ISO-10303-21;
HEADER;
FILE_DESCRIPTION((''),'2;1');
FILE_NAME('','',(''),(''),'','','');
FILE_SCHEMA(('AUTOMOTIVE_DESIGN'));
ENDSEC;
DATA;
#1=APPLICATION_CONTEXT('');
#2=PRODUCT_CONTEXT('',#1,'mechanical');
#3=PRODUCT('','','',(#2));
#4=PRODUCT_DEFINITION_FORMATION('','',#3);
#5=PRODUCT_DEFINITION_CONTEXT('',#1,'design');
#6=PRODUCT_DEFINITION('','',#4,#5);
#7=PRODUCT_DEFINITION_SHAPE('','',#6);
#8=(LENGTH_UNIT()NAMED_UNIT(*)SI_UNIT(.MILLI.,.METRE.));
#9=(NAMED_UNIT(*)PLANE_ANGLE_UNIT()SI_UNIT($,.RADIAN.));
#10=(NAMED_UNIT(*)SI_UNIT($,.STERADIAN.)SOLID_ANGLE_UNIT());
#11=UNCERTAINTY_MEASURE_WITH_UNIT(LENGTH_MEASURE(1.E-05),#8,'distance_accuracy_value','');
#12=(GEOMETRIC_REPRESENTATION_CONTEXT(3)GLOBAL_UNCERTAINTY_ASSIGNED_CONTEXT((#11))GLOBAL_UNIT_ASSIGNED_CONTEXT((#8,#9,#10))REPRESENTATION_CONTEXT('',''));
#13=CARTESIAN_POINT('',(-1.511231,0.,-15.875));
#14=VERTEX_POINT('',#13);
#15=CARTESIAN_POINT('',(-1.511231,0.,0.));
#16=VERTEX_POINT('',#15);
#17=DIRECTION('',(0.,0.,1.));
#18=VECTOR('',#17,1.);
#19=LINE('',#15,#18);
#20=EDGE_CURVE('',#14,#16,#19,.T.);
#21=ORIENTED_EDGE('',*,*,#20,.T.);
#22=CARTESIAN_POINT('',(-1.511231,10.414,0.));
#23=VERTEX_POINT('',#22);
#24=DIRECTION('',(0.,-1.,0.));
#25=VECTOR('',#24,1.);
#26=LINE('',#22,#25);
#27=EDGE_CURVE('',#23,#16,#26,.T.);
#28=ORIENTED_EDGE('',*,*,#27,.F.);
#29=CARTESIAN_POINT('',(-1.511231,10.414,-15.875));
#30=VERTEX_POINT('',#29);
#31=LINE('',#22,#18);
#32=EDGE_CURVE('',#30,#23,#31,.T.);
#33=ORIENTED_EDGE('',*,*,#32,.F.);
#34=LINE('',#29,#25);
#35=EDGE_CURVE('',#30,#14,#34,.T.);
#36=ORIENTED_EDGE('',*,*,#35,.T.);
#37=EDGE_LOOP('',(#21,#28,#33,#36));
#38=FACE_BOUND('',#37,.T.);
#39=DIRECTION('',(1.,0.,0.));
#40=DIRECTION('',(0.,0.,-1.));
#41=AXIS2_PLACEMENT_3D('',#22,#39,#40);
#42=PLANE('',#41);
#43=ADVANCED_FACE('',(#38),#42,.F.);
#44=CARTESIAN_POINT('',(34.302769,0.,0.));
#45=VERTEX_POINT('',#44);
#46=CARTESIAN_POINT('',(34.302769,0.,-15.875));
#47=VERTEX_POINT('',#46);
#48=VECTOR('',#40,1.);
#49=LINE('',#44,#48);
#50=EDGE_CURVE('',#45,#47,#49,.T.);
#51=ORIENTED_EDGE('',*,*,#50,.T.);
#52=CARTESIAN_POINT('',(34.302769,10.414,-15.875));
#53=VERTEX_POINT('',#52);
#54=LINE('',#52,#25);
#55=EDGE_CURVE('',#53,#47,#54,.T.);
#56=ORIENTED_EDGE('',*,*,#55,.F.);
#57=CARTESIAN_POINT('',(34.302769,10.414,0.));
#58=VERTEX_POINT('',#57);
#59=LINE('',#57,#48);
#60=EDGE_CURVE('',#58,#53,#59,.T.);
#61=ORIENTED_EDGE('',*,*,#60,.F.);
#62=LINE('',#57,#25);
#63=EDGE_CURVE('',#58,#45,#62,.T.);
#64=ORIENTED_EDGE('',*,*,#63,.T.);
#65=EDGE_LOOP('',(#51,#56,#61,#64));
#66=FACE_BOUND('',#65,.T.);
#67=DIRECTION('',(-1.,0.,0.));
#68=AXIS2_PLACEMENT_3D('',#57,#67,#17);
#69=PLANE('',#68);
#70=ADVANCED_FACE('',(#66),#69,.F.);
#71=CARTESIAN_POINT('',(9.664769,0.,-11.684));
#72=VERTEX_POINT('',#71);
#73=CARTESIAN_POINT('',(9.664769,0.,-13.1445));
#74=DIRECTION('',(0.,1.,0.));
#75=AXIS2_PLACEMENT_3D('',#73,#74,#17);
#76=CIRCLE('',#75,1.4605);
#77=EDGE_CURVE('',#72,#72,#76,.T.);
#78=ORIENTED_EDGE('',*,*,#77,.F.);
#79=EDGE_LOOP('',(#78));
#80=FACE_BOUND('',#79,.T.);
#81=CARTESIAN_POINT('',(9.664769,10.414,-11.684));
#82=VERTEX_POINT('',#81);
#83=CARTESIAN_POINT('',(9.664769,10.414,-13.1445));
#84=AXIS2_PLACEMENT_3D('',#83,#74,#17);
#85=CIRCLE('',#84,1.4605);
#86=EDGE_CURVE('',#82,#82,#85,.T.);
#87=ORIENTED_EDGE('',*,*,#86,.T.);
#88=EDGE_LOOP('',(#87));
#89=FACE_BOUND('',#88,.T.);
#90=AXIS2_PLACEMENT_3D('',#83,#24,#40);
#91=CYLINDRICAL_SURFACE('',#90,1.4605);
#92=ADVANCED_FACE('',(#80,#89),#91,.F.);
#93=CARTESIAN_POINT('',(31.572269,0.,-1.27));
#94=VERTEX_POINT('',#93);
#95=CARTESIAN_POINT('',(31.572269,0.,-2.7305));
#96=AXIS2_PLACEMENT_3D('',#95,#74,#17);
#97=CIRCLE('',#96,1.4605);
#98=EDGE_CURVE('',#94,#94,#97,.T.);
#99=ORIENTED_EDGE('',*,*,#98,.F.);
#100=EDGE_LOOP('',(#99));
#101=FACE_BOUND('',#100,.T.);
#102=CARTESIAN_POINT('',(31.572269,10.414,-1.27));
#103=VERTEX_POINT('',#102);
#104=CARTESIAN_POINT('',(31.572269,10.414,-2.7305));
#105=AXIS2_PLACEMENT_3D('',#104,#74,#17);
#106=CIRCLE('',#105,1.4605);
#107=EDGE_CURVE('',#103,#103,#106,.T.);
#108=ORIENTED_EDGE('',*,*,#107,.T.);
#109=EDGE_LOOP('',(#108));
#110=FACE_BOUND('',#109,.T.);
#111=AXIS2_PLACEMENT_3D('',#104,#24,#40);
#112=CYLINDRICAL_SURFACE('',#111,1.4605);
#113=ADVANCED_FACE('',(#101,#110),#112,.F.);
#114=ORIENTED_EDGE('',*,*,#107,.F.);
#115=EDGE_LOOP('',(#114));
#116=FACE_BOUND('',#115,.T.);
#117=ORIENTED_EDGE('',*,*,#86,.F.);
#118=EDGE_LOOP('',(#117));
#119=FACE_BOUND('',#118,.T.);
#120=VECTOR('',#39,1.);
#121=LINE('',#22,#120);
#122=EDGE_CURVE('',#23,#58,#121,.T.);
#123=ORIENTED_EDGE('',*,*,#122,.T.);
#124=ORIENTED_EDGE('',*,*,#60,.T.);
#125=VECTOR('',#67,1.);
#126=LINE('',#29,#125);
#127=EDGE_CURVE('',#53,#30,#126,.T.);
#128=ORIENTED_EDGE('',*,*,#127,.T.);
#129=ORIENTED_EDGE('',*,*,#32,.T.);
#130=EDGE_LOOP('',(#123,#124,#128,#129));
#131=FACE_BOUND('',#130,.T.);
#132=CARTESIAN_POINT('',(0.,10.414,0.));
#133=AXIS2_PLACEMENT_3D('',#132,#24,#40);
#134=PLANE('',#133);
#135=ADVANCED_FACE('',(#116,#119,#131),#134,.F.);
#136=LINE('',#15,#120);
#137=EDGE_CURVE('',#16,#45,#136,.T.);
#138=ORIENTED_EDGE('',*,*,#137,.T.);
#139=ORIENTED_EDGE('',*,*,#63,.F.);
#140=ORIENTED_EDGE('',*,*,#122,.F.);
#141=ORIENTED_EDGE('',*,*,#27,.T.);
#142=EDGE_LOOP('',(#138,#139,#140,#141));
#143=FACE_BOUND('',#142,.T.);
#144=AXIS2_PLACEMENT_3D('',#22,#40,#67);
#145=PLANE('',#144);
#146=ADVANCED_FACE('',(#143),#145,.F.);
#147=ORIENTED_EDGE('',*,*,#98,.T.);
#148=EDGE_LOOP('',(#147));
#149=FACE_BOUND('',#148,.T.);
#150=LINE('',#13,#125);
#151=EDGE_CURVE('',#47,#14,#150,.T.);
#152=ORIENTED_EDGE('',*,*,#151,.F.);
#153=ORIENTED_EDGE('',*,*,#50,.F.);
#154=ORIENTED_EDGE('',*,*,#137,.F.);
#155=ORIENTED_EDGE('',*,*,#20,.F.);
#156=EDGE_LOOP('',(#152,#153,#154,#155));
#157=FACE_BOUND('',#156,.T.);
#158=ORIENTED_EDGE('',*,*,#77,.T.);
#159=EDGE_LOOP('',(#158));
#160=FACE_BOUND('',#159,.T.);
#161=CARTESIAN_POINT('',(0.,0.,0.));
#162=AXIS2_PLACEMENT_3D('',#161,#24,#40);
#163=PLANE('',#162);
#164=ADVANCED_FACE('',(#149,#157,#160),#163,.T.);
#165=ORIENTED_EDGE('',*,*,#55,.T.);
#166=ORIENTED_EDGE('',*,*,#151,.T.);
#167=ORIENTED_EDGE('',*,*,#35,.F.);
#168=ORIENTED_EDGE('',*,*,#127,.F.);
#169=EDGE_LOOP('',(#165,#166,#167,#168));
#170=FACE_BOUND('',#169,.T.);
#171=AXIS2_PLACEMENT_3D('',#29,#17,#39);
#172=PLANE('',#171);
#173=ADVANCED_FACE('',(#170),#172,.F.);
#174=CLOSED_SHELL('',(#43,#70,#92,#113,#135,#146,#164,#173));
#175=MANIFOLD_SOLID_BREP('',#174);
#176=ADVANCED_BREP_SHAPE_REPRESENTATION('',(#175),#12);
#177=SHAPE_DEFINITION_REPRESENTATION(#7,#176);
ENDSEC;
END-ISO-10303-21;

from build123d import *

# Parameters (mm, degrees)
SKETCH1_W           = 35.814
SKETCH1_H           = 15.875
SKETCH1_R           = 1.4605
BOSS_EXTRUDE1_DEPTH = 10.414


with BuildPart() as part:
    # Sketch1 → Boss-Extrude1 (new body)
    with BuildSketch(Plane(origin=(0, 0, 0), x_dir=(1, 0, 0), z_dir=(0, 1, 0))):
        with Locations((16.395769478, 7.9375)):
            Rectangle(SKETCH1_W, SKETCH1_H)
        with Locations((9.664769478, 13.1445)):
            Circle(SKETCH1_R, mode=Mode.SUBTRACT)
        with Locations((31.572269478, 2.7305)):
            Circle(SKETCH1_R, mode=Mode.SUBTRACT)
    extrude(amount=BOSS_EXTRUDE1_DEPTH)


solid = part.part
